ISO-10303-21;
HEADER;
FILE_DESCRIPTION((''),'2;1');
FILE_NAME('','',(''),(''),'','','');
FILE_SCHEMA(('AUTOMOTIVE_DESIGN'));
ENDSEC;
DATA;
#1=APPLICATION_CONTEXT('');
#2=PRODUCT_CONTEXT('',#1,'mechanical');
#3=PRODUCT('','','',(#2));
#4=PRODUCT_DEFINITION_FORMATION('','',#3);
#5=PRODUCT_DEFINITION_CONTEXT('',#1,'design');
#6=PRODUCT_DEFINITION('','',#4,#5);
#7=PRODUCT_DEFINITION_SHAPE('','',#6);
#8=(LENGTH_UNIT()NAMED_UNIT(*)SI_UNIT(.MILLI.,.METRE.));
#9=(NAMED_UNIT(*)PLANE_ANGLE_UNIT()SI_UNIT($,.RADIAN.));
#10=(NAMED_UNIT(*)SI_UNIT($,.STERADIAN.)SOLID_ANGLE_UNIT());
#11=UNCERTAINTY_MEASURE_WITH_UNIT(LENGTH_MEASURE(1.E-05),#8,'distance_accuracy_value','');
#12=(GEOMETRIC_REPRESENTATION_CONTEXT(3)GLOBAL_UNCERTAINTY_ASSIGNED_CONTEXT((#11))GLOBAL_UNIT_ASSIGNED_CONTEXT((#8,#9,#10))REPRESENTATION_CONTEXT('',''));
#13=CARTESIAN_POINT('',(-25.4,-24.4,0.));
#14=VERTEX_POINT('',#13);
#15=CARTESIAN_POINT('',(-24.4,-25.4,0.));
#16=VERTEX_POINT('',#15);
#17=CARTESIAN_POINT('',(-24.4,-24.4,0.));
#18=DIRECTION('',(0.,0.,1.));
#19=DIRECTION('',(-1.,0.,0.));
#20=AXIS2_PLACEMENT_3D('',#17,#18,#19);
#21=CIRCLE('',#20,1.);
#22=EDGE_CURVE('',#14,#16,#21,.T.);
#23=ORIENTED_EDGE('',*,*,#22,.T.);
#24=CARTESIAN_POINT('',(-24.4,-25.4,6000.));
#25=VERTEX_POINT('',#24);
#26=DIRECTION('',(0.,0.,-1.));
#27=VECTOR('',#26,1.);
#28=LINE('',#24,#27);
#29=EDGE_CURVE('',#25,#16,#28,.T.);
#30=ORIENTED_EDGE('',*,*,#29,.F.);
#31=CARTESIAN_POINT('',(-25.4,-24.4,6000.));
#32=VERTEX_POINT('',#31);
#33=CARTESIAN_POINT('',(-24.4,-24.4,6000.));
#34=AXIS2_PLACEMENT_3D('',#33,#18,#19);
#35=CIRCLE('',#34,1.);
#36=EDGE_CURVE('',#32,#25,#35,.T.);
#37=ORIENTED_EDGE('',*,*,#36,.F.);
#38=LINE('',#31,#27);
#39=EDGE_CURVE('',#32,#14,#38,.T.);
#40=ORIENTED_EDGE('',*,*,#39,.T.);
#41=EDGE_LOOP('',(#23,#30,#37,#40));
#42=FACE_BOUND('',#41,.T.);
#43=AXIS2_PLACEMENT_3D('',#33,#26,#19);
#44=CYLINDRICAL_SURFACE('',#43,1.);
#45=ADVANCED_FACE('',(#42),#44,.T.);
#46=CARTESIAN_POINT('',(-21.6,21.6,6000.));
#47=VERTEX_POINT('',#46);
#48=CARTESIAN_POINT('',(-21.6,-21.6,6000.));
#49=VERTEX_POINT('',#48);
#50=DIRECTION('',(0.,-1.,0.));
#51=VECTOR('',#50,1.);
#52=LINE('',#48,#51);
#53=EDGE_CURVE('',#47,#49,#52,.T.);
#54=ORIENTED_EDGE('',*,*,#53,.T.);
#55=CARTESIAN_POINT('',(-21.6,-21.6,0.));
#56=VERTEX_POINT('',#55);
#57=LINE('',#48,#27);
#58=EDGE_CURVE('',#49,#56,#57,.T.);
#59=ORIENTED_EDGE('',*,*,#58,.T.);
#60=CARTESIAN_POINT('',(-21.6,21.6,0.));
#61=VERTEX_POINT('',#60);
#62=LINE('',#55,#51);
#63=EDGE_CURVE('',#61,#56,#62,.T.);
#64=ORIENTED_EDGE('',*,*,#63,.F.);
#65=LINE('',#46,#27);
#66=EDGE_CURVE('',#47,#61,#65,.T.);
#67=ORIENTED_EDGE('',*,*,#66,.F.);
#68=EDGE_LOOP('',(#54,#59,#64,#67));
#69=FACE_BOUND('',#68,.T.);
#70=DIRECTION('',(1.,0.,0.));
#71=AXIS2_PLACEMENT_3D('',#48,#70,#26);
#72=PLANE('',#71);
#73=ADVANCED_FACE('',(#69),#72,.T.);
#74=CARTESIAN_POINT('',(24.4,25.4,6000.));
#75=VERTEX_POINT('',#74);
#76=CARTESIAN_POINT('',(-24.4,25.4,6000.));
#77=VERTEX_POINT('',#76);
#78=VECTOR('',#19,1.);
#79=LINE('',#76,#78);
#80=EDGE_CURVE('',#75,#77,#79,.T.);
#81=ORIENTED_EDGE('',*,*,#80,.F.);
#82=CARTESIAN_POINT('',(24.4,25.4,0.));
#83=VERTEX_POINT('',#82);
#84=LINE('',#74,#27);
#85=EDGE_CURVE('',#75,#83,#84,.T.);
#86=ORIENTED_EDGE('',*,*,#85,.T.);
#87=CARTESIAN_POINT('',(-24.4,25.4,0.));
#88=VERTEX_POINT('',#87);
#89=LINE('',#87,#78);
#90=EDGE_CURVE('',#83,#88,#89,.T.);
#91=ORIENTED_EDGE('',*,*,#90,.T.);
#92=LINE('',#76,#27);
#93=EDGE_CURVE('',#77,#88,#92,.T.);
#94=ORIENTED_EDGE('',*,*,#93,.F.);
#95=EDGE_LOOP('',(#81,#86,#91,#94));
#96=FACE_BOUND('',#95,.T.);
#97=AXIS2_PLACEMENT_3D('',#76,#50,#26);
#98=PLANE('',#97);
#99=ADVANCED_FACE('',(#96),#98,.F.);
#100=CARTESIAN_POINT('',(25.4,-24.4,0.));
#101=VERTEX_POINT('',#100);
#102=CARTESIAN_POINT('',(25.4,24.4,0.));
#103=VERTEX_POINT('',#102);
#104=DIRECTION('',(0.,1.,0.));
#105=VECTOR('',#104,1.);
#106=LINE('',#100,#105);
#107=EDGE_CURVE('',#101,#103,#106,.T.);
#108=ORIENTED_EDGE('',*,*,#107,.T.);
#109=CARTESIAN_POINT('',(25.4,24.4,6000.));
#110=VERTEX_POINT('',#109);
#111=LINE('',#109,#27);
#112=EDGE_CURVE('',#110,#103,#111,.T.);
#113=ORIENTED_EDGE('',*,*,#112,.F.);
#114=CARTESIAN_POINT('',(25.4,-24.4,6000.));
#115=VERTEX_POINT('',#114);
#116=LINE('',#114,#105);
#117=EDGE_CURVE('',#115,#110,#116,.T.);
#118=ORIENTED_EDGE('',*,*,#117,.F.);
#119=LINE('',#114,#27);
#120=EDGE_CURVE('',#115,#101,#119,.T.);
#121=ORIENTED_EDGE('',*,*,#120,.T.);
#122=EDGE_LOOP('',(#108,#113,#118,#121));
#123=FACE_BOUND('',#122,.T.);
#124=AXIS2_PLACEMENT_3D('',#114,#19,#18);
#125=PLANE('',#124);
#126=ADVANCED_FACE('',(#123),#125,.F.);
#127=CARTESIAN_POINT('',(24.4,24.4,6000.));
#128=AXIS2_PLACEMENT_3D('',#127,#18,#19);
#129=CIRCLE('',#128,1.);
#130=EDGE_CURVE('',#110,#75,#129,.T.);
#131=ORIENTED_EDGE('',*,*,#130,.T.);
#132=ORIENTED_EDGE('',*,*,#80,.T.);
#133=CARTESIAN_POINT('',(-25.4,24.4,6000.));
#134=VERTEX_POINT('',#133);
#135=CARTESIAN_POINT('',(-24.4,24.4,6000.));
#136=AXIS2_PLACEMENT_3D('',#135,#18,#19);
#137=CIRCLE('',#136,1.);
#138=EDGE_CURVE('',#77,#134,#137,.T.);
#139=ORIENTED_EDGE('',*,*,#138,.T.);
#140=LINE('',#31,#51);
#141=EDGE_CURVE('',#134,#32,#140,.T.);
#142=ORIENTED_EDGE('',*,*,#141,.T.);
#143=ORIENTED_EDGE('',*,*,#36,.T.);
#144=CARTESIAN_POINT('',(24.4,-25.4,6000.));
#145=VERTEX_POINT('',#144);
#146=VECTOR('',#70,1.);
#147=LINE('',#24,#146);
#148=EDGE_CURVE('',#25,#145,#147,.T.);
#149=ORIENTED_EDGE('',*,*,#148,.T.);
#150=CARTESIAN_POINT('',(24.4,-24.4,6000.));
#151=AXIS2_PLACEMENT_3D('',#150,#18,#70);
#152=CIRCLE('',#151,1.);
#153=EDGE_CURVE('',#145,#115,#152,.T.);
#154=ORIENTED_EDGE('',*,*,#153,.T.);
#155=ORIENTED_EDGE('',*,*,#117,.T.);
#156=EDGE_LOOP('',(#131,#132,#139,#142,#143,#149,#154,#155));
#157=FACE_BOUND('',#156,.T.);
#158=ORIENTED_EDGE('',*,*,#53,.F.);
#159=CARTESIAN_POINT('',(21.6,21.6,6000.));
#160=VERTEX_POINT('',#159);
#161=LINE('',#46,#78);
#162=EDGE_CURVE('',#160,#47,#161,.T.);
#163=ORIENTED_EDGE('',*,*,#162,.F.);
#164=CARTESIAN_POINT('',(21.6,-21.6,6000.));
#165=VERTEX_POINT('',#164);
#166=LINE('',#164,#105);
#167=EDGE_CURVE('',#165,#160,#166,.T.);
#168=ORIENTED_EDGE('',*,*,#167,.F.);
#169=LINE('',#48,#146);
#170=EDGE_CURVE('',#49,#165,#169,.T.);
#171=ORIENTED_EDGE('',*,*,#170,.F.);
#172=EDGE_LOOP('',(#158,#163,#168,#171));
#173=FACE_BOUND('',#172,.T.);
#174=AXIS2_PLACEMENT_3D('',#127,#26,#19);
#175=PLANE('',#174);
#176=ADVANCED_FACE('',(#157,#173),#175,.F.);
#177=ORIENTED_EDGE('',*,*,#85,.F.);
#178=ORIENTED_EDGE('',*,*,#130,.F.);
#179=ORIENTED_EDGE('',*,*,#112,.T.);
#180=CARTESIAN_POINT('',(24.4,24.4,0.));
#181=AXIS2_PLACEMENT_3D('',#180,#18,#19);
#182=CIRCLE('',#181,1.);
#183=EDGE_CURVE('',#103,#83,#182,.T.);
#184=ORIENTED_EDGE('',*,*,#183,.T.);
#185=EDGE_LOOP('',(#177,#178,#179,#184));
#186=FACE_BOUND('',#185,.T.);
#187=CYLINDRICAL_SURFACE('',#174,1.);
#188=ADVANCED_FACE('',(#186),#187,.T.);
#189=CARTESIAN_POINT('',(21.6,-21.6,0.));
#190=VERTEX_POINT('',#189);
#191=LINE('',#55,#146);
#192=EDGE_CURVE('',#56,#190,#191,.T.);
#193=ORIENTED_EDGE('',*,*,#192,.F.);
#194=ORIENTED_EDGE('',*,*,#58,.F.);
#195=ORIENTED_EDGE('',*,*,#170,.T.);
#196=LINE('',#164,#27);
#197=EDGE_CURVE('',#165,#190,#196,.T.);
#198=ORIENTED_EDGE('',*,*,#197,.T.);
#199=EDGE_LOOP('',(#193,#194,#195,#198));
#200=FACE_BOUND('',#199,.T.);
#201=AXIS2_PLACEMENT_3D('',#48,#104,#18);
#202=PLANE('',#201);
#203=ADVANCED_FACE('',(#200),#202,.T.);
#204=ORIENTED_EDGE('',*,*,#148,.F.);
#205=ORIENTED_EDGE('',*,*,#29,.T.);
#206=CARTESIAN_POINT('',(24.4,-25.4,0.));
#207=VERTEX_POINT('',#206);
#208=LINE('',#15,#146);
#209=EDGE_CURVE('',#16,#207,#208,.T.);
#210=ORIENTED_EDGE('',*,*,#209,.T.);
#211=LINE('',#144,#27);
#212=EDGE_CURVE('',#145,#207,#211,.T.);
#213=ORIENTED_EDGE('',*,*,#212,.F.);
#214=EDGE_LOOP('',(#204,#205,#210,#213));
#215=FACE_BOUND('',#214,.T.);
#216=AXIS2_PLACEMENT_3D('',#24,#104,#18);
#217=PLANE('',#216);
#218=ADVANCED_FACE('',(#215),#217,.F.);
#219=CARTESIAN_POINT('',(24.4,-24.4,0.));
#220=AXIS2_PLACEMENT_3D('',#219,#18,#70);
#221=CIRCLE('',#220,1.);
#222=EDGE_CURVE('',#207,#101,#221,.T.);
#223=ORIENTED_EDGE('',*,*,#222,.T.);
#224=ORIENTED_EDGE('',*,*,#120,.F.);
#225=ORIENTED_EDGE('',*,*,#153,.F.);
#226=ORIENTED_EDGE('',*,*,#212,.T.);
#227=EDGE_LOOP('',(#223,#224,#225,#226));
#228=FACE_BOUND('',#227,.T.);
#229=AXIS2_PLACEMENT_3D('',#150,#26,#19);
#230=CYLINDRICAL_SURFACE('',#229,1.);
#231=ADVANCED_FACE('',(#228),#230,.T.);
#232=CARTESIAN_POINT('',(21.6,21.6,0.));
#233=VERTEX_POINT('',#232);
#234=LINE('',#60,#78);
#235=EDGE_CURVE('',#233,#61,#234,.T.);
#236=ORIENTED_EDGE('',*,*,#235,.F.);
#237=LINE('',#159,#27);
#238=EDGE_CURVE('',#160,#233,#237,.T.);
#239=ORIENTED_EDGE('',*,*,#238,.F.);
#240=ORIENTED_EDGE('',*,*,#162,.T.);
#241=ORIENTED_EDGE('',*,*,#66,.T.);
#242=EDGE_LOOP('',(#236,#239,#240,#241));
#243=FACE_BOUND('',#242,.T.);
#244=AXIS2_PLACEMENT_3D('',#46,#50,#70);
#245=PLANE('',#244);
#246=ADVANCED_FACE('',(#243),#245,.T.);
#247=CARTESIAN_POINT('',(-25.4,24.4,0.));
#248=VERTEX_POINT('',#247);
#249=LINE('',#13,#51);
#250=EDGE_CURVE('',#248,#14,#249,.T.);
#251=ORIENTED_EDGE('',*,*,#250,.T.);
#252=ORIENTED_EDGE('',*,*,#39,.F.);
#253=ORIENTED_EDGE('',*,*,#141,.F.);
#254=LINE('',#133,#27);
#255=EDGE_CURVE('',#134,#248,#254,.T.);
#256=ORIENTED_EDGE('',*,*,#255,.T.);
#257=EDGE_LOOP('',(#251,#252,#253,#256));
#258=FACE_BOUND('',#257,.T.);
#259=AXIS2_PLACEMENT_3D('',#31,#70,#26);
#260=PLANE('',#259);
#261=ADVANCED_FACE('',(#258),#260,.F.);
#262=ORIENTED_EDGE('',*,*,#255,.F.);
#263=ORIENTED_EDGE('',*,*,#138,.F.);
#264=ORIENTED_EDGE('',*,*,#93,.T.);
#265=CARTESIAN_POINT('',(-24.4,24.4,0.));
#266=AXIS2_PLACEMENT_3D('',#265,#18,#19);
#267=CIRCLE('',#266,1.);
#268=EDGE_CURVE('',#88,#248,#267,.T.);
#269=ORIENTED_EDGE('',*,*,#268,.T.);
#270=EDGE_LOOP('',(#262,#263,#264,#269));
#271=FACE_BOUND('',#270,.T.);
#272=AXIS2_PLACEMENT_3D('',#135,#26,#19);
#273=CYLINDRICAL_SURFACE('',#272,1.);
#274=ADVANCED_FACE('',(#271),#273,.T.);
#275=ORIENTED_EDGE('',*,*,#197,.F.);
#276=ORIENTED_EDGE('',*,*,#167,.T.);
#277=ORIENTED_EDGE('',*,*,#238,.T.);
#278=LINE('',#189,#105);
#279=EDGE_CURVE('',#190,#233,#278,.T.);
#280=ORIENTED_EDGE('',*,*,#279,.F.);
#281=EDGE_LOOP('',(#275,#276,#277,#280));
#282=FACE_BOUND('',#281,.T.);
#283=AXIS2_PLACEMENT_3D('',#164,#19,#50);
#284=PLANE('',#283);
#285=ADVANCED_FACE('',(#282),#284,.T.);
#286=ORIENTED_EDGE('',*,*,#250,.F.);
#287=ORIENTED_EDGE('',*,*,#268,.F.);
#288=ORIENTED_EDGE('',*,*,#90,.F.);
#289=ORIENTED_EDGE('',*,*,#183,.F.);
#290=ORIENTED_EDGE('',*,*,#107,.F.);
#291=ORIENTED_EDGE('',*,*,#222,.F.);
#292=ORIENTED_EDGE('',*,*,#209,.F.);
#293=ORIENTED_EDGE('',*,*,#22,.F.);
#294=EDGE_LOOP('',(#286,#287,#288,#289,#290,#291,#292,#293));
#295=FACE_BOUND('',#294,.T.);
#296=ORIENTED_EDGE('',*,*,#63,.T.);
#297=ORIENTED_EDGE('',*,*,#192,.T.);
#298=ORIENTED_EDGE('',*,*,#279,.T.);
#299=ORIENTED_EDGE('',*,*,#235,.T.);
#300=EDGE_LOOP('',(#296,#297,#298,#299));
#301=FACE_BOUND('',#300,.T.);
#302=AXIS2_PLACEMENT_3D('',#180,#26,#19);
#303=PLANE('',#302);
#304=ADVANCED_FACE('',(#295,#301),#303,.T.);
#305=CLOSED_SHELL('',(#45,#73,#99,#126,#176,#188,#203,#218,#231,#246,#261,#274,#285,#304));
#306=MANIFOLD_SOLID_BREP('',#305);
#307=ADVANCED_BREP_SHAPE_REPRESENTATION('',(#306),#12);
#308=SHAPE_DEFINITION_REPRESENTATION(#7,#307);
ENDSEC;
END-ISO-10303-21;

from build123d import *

# Parameters (mm, degrees)
CROQUIS1_W              = 43.2
CROQUIS1_H              = 43.2
SALIENTE_EXTRUIR1_DEPTH = 6000


with BuildPart() as part:
    # Croquis1 → Saliente-Extruir1 (new body)
    with BuildSketch(Plane.XY):
        with BuildLine():
            Line((-24.4, -25.4), (24.4, -25.4))
            ThreePointArc((24.4, -25.4), (25.107106781, -25.107106781), (25.4, -24.4))
            Line((25.4, -24.4), (25.4, 24.4))
            ThreePointArc((25.4, 24.4), (25.107106781, 25.107106781), (24.4, 25.4))
            Line((24.4, 25.4), (-24.4, 25.4))
            ThreePointArc((-24.4, 25.4), (-25.107106781, 25.107106781), (-25.4, 24.4))
            Line((-25.4, 24.4), (-25.4, -24.4))
            ThreePointArc((-25.4, -24.4), (-25.107106781, -25.107106781), (-24.4, -25.4))
        make_face()
        Rectangle(CROQUIS1_W, CROQUIS1_H, mode=Mode.SUBTRACT)
    extrude(amount=SALIENTE_EXTRUIR1_DEPTH)


solid = part.part
